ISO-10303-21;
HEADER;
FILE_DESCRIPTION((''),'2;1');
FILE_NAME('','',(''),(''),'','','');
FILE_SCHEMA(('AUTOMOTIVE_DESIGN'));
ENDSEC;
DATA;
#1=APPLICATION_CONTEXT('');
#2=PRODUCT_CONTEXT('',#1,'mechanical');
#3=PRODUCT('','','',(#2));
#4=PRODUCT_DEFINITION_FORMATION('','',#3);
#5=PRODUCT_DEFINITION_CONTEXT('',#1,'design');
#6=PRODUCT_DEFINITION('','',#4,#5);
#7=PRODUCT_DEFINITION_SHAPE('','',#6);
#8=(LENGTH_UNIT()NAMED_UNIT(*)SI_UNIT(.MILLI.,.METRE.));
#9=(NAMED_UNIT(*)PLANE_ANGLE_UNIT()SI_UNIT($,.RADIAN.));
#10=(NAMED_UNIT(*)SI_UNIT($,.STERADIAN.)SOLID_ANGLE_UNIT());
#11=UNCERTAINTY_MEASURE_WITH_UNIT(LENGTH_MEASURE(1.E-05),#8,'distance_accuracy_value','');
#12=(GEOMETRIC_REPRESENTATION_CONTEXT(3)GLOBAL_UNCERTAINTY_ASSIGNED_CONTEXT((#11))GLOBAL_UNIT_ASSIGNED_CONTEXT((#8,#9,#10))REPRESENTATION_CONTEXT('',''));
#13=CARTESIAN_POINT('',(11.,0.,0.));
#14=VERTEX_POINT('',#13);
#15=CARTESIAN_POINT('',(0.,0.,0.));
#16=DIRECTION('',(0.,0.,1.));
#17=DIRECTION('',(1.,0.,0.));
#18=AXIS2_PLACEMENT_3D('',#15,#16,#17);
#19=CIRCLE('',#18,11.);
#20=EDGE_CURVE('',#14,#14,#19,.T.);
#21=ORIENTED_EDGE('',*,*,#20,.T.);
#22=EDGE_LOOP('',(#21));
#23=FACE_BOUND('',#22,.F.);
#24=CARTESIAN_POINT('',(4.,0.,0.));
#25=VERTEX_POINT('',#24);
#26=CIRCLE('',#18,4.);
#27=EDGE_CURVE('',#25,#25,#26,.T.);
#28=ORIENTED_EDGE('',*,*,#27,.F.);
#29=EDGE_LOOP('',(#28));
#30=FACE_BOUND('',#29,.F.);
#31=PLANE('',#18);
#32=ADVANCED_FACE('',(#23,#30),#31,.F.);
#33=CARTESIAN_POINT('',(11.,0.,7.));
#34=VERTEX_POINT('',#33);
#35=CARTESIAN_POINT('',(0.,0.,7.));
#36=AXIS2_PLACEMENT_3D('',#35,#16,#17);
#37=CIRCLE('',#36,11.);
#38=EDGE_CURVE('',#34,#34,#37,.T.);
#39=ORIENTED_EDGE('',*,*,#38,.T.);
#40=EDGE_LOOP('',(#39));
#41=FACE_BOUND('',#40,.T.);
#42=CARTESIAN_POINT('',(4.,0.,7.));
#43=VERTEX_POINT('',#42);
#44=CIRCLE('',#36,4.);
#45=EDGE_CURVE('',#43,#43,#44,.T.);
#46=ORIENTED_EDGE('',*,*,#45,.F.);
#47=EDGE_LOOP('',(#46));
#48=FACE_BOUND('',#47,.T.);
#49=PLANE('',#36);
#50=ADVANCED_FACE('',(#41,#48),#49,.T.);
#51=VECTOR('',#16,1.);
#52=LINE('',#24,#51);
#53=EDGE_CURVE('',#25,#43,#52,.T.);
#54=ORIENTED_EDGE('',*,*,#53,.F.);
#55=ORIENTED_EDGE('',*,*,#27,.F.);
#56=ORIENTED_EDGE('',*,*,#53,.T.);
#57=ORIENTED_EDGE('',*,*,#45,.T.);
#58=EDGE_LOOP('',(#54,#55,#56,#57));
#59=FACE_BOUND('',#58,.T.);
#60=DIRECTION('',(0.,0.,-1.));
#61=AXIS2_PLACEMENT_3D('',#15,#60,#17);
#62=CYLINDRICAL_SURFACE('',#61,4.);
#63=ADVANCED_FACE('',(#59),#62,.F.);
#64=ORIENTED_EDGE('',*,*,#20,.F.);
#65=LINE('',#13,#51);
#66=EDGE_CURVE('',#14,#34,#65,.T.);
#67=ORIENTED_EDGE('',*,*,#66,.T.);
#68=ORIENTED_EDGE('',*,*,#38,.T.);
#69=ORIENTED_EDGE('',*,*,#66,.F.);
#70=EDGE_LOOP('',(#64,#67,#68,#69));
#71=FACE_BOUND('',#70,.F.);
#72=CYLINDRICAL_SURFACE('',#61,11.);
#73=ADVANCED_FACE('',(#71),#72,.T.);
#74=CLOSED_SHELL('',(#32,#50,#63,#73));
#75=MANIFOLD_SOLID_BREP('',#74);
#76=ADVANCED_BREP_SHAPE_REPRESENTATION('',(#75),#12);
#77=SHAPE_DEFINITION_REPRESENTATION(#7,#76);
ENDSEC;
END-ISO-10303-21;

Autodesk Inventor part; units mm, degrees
ref_plane "YZ Plane" through (0, 0, 0) normal (1, 0, 0) x (0, 1, 0)
ref_plane "XZ Plane" through (0, 0, 0) normal (0, 1, 0) x (-1, 0, 0)
ref_plane "XY Plane" through (0, 0, 0) normal (0, 0, 1) x (1, 0, 0)
sketch "Sketch1" plane through (0, 0, 0) normal (0, 0, 1) x (1, 0, 0)
  circle A0 centre (0, 0) radius 11
  circle A1 centre (0, 0) radius 4
  dimension "d0" = 22
  dimension "d1" = 8
extrude "Extrusion1" add sketch "Sketch1" along normal blind 7
properties part number "608 bearing" material "Nylon 6/6"
